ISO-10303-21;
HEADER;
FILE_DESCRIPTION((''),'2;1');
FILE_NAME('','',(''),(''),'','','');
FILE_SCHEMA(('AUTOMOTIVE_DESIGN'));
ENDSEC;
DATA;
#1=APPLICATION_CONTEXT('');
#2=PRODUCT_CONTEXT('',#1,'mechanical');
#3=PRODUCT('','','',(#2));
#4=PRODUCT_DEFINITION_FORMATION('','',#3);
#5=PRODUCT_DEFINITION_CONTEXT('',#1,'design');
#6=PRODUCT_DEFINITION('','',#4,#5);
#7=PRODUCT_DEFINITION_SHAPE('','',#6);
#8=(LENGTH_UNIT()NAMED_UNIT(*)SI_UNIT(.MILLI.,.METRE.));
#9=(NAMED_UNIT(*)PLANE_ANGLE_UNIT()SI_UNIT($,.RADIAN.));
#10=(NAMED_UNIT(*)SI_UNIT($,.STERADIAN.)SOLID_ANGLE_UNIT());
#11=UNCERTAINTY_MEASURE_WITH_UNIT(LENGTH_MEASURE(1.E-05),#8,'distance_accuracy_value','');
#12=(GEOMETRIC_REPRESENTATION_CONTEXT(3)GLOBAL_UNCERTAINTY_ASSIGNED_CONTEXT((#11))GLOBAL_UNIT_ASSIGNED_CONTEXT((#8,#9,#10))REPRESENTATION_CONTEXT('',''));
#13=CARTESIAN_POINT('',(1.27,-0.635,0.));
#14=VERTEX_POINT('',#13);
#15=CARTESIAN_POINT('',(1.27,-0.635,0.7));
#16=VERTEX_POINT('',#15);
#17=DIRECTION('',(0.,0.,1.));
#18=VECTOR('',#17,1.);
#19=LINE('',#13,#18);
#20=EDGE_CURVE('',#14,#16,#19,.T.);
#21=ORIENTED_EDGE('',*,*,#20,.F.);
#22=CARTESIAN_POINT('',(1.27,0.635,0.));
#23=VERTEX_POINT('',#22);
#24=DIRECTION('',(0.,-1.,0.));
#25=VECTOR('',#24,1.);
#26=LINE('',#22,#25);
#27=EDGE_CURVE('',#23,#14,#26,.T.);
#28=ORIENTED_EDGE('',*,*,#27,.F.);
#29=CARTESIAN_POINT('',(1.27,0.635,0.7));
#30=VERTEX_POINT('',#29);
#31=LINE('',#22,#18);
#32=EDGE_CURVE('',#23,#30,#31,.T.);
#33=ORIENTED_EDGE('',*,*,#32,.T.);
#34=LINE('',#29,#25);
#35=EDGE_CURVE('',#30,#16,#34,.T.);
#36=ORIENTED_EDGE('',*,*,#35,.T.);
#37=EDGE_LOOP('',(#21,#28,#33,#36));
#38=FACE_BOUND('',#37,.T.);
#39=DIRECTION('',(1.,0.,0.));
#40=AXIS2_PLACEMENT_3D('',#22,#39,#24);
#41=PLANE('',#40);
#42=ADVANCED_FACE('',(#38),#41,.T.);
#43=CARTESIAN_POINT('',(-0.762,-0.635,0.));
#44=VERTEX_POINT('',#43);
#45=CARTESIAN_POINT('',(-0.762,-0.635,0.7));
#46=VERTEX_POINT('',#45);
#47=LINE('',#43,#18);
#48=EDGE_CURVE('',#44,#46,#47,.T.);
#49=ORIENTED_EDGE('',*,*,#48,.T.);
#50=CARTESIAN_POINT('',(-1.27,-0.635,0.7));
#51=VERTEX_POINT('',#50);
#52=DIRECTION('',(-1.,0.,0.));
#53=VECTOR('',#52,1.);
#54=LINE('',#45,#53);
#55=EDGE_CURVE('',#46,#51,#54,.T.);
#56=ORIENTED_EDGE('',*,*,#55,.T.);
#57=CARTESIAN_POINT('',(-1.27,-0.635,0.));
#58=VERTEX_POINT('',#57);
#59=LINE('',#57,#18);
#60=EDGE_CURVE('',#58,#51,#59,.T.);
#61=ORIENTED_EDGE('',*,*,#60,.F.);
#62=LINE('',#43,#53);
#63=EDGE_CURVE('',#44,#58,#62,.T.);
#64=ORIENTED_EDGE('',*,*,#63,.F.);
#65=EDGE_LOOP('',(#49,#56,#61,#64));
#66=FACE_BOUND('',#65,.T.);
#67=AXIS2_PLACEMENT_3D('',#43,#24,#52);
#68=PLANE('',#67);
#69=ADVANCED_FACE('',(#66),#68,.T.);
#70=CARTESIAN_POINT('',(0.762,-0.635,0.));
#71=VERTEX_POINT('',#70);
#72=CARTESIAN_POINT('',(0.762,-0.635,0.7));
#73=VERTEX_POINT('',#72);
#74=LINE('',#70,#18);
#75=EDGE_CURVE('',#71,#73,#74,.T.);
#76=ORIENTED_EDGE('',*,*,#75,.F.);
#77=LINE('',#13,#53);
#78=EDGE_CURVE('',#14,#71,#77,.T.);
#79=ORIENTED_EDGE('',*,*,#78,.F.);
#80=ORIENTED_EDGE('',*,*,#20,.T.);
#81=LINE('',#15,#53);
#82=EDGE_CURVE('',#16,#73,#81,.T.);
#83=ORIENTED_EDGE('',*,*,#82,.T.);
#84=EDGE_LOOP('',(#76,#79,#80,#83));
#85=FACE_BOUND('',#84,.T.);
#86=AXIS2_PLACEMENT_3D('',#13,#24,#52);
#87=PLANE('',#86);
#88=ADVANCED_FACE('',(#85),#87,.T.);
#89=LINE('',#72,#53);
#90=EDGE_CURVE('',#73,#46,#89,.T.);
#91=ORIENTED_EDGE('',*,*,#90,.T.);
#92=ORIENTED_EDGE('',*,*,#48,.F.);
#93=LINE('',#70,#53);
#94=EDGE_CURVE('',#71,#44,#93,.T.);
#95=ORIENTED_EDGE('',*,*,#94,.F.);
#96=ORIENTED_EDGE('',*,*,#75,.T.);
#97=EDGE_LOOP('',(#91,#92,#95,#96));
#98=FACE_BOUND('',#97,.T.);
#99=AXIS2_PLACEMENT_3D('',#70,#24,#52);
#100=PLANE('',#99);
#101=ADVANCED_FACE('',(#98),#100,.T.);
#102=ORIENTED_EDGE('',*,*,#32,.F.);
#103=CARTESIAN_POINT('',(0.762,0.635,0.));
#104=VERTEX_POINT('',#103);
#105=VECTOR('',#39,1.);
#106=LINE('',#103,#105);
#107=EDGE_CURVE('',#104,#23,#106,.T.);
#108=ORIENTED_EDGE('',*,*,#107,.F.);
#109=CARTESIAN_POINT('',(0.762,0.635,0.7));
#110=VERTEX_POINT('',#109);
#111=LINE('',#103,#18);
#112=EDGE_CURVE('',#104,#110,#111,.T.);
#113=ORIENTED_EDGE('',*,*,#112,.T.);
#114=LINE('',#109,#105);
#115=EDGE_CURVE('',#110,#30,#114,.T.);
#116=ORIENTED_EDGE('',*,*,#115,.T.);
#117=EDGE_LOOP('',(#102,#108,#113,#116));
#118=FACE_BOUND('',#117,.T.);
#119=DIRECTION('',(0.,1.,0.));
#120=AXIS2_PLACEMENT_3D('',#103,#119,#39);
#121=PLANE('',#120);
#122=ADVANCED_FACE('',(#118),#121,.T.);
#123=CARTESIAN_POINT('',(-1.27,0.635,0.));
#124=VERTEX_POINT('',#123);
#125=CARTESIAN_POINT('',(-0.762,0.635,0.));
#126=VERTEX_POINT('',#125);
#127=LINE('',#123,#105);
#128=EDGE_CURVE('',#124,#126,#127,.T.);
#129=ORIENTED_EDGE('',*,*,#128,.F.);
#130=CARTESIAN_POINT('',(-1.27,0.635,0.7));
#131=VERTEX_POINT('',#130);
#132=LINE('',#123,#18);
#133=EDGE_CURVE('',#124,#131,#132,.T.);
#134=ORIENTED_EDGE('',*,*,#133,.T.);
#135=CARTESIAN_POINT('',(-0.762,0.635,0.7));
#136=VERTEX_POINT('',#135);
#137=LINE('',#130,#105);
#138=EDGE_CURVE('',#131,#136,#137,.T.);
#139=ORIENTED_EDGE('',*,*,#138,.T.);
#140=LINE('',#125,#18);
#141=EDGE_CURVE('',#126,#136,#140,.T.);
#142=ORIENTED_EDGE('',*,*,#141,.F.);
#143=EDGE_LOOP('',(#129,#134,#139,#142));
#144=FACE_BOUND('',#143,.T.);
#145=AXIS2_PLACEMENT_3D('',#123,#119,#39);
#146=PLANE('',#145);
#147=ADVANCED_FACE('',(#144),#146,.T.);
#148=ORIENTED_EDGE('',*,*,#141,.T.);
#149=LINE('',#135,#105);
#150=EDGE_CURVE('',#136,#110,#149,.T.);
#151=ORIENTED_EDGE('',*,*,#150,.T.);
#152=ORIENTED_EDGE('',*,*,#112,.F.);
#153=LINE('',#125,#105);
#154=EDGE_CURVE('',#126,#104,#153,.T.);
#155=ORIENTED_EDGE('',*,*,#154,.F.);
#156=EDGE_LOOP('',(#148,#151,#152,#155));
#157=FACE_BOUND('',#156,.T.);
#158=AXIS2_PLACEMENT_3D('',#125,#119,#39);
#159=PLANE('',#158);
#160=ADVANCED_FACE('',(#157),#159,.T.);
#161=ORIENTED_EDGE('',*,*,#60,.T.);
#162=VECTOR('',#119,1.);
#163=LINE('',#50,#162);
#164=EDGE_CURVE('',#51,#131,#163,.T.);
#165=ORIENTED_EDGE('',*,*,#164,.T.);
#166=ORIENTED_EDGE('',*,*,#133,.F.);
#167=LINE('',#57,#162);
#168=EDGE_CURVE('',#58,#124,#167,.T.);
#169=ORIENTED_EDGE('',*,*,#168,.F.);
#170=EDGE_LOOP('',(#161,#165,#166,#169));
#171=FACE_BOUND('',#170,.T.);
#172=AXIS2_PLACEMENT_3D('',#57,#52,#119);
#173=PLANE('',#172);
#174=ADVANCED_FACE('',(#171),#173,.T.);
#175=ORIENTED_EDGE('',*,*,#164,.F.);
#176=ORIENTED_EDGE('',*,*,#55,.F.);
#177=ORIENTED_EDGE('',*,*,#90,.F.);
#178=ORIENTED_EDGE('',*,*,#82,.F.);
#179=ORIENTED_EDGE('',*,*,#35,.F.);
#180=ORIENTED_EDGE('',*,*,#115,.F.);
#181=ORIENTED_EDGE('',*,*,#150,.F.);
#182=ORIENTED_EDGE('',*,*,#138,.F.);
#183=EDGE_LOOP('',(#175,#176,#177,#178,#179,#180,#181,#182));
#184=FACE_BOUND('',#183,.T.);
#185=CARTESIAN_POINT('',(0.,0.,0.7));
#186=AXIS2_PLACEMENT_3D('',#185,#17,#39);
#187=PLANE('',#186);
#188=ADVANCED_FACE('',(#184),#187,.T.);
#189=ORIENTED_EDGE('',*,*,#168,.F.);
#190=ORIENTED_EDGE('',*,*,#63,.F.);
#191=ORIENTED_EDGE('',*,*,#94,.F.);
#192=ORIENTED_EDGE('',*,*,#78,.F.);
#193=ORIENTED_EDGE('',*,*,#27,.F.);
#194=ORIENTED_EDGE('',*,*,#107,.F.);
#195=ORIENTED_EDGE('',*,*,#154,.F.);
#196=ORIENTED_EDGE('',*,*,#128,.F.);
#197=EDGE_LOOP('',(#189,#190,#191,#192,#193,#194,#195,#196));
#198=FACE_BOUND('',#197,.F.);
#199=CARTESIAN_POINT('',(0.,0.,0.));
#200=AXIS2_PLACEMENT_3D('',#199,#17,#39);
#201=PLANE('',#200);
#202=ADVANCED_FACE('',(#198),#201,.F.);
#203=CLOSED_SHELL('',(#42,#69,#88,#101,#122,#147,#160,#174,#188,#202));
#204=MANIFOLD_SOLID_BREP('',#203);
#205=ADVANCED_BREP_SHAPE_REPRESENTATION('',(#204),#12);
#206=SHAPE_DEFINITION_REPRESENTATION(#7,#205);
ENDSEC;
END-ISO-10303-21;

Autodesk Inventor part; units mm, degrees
ref_plane "YZ Plane" through (0, 0, 0) normal (1, 0, 0) x (0, 1, 0)
ref_plane "XZ Plane" through (0, 0, 0) normal (0, 1, 0) x (-1, 0, 0)
ref_plane "XY Plane" through (0, 0, 0) normal (0, 0, 1) x (1, 0, 0)
sketch "LED2012120, 5988110107F_89" plane through (0, 0, 0) normal (0, 0, 1) x (1, 0, 0)
  line L0 (0.762, -0.635) -> (-0.762, -0.635)
  line L1 (-0.762, -0.635) -> (-1.27, -0.635)
  line L2 (-1.27, -0.635) -> (-1.27, 0.635)
  line L3 (-1.27, 0.635) -> (-0.762, 0.635)
  line L4 (-0.762, 0.635) -> (0.762, 0.635)
  line L5 (0.762, 0.635) -> (1.27, 0.635)
  line L6 (1.27, 0.635) -> (1.27, -0.635)
  line L7 (1.27, -0.635) -> (0.762, -0.635)
extrude "Extrusion1" add sketch "LED2012120, 5988110107F_89" along normal blind 0.7
properties part number "5988110107F"
